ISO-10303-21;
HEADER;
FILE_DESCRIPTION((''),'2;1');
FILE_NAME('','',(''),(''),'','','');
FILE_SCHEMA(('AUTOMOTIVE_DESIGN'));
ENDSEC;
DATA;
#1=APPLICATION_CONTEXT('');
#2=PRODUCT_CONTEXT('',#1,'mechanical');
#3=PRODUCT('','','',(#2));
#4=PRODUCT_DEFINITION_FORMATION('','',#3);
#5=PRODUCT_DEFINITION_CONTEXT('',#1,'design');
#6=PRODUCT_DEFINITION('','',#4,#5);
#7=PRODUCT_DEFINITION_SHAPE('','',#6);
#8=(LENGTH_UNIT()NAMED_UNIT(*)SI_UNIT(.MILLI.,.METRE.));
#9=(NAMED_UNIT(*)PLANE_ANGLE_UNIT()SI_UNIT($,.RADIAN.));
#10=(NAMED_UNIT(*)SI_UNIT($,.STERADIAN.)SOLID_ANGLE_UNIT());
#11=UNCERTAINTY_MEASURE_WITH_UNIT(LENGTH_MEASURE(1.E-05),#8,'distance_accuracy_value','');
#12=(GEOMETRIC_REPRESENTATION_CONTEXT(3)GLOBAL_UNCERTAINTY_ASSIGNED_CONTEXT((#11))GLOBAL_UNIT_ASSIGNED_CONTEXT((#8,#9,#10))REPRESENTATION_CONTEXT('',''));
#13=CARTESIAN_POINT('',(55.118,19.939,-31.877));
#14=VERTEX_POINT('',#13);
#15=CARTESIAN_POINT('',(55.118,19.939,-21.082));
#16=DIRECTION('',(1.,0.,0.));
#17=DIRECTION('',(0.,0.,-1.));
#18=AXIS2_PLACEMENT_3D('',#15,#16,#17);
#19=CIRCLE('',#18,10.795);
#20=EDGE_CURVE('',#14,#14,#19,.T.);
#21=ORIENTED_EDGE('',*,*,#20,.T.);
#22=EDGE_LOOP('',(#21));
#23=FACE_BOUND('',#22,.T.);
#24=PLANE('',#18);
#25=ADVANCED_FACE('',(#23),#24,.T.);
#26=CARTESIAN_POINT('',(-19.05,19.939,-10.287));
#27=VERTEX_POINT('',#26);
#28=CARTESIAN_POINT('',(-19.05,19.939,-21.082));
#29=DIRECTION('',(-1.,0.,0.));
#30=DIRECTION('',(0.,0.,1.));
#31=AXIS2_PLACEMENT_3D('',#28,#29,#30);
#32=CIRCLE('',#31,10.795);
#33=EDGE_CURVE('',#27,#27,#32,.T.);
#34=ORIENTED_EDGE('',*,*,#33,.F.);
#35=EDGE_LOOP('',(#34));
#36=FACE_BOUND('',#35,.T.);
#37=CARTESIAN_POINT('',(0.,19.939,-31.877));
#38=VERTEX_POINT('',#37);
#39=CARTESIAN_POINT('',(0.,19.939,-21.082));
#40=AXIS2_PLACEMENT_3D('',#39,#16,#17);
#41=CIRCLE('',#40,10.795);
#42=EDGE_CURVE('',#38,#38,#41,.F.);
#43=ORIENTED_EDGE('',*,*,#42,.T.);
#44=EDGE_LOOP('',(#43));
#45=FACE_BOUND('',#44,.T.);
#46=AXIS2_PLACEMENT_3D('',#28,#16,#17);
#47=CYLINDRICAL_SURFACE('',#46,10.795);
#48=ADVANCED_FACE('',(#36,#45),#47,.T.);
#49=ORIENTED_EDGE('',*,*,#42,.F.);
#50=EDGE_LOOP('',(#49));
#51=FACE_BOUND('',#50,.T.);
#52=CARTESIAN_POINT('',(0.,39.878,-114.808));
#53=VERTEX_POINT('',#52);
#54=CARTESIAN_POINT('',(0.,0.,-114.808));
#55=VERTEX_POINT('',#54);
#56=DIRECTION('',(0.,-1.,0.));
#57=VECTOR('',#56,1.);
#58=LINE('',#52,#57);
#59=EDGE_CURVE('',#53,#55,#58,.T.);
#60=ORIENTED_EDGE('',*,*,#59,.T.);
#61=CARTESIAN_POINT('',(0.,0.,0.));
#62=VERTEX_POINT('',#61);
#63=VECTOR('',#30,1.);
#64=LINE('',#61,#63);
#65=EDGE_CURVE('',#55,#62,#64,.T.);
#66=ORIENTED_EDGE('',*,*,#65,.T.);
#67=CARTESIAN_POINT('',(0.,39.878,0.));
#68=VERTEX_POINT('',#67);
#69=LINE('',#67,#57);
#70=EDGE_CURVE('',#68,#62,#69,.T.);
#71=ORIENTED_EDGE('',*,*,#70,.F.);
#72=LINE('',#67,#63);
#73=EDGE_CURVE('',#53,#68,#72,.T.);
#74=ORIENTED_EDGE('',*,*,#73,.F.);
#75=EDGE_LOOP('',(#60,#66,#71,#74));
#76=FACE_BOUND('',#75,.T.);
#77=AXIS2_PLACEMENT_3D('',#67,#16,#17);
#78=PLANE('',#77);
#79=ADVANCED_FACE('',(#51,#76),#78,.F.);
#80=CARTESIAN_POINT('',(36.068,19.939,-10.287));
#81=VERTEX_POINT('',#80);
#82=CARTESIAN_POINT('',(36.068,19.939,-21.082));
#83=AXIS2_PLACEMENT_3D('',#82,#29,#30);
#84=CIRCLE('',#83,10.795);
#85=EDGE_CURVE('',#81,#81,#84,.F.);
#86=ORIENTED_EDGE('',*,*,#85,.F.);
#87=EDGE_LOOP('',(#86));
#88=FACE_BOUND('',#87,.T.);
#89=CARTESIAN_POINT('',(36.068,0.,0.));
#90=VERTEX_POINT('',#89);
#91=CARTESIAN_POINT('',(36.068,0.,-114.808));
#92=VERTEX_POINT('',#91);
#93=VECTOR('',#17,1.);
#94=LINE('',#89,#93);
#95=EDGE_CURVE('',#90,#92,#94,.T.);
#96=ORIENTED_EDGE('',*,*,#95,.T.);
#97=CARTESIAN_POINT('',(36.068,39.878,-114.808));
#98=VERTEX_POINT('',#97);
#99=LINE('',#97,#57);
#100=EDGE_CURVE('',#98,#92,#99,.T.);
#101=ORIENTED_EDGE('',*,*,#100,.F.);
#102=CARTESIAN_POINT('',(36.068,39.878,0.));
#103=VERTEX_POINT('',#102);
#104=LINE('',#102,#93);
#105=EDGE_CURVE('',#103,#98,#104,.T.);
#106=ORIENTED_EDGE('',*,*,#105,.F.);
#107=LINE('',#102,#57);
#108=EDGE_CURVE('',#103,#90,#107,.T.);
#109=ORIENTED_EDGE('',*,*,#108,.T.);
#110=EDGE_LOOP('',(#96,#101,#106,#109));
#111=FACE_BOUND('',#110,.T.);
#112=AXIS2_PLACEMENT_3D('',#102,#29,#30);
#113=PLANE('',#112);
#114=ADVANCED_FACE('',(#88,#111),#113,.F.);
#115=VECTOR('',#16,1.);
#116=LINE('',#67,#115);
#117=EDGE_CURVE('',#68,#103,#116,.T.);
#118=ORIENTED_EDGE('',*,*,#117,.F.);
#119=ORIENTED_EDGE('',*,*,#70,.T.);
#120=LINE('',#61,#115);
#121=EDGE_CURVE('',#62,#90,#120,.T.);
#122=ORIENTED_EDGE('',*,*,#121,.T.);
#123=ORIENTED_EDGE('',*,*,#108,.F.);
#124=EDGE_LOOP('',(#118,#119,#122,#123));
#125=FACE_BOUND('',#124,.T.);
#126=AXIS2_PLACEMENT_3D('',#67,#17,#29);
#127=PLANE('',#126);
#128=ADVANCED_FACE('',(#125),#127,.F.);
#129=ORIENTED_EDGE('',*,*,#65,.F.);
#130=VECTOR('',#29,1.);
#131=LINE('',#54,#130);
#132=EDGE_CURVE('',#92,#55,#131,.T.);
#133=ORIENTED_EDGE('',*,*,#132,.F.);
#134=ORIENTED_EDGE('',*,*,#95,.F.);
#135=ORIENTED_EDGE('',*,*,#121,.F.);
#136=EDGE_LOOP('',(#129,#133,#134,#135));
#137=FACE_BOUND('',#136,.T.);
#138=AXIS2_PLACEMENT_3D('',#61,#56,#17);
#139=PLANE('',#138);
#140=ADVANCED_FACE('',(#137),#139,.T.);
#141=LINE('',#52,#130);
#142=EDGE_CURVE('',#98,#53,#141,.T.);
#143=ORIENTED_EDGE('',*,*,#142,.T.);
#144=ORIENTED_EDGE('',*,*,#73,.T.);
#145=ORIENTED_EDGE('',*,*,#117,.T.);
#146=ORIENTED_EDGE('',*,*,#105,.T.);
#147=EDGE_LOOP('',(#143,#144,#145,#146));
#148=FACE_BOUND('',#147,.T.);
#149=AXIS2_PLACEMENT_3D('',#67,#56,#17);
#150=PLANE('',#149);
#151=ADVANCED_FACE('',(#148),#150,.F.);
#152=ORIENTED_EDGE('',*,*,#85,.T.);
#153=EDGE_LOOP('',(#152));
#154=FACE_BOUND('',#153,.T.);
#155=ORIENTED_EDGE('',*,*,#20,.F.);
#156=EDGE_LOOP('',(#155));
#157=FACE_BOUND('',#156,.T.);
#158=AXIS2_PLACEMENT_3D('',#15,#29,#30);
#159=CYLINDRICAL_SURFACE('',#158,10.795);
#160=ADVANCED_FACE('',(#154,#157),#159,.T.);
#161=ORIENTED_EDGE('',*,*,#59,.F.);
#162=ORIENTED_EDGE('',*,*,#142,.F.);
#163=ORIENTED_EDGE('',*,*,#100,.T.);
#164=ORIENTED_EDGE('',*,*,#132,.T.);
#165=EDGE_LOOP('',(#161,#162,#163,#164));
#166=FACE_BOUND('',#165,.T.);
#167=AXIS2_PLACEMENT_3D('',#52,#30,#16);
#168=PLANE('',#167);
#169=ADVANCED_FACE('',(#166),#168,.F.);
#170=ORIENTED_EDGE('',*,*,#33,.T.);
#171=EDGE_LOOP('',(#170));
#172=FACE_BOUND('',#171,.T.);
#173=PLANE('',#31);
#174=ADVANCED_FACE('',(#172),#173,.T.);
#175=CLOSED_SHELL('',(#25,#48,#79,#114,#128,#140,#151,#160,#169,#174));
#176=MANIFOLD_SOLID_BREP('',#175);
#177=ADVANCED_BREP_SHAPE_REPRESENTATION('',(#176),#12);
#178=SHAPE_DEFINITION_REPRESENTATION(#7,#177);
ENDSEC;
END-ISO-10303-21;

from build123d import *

# Parameters (mm, degrees)
SKETCH1_W           = 36.068
SKETCH1_H           = 114.808
BOSS_EXTRUDE1_DEPTH = 39.878
SKETCH3_R           = 10.795
BOSS_EXTRUDE2_DEPTH = 19.05
SKETCH4_R           = 10.795
BOSS_EXTRUDE4_DEPTH = 19.05


with BuildPart() as part:
    # Sketch1 → Boss-Extrude1 (new body)
    with BuildSketch(Plane(origin=(0, 0, 0), x_dir=(1, 0, 0), z_dir=(0, 1, 0))):
        with Locations((18.034, 57.404)):
            Rectangle(SKETCH1_W, SKETCH1_H)
    extrude(amount=BOSS_EXTRUDE1_DEPTH)

    # Sketch3 → Boss-Extrude2 (add)
    with BuildSketch(Plane.ZY):
        with Locations((-21.082, 19.939)):
            Circle(SKETCH3_R)
    extrude(amount=BOSS_EXTRUDE2_DEPTH)

    # Sketch4 → Boss-Extrude4 (add)
    with BuildSketch(Plane(origin=(36.068, 0, 0), x_dir=(0, 0, -1), z_dir=(1, 0, 0))):
        with Locations((21.082, 19.939)):
            Circle(SKETCH4_R)
    extrude(amount=BOSS_EXTRUDE4_DEPTH)


solid = part.part
